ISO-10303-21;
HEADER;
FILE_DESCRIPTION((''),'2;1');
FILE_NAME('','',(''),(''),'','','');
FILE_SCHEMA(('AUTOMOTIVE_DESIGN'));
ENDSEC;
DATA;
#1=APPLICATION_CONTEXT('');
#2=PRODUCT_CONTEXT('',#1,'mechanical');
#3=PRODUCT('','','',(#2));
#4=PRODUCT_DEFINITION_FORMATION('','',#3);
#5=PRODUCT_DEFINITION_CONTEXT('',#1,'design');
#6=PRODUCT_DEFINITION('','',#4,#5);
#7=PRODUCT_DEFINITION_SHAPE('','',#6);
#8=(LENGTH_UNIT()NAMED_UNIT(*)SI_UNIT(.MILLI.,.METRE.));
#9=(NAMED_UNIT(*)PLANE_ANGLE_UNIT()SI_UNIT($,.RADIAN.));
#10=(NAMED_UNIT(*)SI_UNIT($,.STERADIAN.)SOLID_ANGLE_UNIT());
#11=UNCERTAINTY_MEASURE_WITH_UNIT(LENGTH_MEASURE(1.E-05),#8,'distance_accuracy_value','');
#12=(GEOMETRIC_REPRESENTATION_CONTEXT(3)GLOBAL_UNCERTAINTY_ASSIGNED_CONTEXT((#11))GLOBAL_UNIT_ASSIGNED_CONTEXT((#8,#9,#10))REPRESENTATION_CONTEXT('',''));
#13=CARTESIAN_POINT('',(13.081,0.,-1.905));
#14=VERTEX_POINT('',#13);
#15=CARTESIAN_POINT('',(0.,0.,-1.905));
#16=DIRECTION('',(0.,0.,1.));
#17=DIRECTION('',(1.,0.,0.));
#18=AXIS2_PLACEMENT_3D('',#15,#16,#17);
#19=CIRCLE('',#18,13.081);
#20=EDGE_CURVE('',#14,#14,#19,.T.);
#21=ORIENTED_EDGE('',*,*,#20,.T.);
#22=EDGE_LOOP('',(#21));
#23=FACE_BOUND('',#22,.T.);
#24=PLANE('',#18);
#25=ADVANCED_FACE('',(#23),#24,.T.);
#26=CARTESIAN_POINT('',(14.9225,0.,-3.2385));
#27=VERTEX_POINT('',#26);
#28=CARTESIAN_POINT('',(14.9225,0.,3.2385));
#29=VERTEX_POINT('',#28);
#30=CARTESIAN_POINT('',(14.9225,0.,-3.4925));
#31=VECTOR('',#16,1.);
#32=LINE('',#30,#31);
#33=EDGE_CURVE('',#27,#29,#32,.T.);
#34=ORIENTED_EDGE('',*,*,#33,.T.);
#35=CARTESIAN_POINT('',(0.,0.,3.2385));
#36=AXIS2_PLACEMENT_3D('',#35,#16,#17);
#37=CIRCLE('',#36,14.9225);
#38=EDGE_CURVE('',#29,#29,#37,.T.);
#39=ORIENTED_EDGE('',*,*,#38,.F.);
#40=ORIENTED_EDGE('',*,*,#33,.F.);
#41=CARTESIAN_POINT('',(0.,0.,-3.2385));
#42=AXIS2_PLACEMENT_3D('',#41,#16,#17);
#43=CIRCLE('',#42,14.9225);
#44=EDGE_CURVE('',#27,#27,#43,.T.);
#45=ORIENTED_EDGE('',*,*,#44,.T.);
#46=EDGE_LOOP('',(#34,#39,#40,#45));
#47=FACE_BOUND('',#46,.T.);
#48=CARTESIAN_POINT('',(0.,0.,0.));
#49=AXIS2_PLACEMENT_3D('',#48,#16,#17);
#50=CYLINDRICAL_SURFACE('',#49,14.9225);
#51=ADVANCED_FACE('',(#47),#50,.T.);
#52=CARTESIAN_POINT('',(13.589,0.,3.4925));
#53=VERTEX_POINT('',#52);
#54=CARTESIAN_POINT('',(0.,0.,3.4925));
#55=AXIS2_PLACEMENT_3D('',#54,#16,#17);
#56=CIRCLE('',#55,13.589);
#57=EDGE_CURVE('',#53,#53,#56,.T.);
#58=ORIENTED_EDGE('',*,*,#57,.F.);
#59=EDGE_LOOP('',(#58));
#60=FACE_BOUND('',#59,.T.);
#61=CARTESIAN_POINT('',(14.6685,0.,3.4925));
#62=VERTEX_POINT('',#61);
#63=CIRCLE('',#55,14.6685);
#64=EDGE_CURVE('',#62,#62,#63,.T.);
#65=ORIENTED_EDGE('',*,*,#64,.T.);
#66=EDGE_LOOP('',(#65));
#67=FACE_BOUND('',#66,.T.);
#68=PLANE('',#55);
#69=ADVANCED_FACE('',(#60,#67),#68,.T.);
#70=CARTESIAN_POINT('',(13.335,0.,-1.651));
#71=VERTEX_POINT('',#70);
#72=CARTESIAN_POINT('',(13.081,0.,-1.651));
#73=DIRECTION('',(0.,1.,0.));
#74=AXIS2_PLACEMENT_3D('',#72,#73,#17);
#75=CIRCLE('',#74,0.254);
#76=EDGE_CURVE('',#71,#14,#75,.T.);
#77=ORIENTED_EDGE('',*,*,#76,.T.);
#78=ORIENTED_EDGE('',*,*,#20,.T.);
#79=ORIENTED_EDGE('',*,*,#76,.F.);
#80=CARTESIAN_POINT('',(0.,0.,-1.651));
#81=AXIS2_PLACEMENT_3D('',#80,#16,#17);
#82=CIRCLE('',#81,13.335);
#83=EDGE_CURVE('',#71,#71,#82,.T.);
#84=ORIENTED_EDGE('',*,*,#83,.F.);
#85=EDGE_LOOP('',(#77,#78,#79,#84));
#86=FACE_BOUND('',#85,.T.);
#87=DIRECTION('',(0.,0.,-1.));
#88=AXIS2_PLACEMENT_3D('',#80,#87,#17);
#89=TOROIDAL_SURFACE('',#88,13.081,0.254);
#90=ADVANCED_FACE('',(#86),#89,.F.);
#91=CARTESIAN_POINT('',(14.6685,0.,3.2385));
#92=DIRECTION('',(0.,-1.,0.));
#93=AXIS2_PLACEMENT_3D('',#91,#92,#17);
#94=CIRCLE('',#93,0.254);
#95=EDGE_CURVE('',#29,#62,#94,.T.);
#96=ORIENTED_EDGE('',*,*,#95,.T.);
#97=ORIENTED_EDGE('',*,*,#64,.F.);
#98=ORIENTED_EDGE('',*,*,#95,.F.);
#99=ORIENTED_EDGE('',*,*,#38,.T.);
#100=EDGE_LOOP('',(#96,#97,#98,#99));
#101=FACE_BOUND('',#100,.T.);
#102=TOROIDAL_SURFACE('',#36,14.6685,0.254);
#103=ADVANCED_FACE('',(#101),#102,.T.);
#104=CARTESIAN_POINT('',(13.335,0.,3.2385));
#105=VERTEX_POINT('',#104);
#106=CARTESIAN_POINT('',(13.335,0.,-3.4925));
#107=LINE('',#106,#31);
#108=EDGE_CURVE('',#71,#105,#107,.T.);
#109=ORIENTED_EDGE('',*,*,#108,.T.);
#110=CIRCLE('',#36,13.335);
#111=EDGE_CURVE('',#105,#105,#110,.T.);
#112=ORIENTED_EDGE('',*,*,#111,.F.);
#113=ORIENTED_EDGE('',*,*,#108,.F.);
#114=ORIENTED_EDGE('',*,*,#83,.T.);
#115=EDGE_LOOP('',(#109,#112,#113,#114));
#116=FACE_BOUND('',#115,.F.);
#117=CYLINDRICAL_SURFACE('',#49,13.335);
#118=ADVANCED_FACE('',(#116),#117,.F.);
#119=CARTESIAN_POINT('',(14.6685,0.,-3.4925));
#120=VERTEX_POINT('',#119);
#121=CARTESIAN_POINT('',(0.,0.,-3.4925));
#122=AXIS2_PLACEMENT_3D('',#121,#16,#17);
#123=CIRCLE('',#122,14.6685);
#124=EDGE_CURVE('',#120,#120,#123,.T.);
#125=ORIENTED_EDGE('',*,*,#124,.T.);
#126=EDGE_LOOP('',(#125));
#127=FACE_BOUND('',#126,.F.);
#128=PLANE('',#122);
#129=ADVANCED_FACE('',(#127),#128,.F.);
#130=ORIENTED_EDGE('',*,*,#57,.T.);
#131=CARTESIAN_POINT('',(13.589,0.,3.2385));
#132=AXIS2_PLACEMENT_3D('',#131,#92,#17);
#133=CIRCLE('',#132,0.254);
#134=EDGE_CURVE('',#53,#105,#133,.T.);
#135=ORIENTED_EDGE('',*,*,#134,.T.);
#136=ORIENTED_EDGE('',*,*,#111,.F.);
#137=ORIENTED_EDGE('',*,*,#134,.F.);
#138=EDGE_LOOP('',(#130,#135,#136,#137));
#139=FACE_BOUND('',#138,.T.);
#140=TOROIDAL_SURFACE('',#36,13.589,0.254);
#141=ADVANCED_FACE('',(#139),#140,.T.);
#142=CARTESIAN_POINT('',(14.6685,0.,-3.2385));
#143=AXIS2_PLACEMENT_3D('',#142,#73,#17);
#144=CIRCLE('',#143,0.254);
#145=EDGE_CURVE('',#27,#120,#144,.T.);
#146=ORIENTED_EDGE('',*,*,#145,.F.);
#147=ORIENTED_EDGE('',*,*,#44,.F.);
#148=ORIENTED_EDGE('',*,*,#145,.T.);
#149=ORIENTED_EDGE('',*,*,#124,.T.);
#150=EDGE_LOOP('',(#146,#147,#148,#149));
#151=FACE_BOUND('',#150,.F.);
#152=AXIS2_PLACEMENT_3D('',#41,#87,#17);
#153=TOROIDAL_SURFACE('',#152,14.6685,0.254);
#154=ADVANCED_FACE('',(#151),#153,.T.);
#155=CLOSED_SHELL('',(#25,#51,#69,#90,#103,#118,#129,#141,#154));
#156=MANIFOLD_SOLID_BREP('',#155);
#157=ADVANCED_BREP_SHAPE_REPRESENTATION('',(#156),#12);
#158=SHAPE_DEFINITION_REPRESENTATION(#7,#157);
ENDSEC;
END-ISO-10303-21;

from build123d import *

# Parameters (mm, degrees)
F0_R     = 14.9225
F1_DEPTH = 3.4925
F2_T     = -1.5875
F3_R     = 0.254


with BuildPart() as f1:
    # F0 (on Top) → F1 (new body, symmetric)
    with BuildSketch(Plane.XY):
        Circle(F0_R)
    extrude(amount=F1_DEPTH, both=True)

    # F2
    f2_openings = [f1.faces().sort_by_distance(p)[0] for p in [
        (0, 0, 3.4925),
    ]]
    offset(amount=F2_T, openings=f2_openings)

    # F3
    f3_edges = [f1.edges().sort_by_distance(p)[0] for p in [
        (-13.335, 0, -1.905),
        (-13.335, 0, 3.4925),
        (-14.9225, 0, 3.4925),
        (-14.9225, 0, -3.4925),
    ]]
    fillet(f3_edges, radius=F3_R)


solid = f1.part
